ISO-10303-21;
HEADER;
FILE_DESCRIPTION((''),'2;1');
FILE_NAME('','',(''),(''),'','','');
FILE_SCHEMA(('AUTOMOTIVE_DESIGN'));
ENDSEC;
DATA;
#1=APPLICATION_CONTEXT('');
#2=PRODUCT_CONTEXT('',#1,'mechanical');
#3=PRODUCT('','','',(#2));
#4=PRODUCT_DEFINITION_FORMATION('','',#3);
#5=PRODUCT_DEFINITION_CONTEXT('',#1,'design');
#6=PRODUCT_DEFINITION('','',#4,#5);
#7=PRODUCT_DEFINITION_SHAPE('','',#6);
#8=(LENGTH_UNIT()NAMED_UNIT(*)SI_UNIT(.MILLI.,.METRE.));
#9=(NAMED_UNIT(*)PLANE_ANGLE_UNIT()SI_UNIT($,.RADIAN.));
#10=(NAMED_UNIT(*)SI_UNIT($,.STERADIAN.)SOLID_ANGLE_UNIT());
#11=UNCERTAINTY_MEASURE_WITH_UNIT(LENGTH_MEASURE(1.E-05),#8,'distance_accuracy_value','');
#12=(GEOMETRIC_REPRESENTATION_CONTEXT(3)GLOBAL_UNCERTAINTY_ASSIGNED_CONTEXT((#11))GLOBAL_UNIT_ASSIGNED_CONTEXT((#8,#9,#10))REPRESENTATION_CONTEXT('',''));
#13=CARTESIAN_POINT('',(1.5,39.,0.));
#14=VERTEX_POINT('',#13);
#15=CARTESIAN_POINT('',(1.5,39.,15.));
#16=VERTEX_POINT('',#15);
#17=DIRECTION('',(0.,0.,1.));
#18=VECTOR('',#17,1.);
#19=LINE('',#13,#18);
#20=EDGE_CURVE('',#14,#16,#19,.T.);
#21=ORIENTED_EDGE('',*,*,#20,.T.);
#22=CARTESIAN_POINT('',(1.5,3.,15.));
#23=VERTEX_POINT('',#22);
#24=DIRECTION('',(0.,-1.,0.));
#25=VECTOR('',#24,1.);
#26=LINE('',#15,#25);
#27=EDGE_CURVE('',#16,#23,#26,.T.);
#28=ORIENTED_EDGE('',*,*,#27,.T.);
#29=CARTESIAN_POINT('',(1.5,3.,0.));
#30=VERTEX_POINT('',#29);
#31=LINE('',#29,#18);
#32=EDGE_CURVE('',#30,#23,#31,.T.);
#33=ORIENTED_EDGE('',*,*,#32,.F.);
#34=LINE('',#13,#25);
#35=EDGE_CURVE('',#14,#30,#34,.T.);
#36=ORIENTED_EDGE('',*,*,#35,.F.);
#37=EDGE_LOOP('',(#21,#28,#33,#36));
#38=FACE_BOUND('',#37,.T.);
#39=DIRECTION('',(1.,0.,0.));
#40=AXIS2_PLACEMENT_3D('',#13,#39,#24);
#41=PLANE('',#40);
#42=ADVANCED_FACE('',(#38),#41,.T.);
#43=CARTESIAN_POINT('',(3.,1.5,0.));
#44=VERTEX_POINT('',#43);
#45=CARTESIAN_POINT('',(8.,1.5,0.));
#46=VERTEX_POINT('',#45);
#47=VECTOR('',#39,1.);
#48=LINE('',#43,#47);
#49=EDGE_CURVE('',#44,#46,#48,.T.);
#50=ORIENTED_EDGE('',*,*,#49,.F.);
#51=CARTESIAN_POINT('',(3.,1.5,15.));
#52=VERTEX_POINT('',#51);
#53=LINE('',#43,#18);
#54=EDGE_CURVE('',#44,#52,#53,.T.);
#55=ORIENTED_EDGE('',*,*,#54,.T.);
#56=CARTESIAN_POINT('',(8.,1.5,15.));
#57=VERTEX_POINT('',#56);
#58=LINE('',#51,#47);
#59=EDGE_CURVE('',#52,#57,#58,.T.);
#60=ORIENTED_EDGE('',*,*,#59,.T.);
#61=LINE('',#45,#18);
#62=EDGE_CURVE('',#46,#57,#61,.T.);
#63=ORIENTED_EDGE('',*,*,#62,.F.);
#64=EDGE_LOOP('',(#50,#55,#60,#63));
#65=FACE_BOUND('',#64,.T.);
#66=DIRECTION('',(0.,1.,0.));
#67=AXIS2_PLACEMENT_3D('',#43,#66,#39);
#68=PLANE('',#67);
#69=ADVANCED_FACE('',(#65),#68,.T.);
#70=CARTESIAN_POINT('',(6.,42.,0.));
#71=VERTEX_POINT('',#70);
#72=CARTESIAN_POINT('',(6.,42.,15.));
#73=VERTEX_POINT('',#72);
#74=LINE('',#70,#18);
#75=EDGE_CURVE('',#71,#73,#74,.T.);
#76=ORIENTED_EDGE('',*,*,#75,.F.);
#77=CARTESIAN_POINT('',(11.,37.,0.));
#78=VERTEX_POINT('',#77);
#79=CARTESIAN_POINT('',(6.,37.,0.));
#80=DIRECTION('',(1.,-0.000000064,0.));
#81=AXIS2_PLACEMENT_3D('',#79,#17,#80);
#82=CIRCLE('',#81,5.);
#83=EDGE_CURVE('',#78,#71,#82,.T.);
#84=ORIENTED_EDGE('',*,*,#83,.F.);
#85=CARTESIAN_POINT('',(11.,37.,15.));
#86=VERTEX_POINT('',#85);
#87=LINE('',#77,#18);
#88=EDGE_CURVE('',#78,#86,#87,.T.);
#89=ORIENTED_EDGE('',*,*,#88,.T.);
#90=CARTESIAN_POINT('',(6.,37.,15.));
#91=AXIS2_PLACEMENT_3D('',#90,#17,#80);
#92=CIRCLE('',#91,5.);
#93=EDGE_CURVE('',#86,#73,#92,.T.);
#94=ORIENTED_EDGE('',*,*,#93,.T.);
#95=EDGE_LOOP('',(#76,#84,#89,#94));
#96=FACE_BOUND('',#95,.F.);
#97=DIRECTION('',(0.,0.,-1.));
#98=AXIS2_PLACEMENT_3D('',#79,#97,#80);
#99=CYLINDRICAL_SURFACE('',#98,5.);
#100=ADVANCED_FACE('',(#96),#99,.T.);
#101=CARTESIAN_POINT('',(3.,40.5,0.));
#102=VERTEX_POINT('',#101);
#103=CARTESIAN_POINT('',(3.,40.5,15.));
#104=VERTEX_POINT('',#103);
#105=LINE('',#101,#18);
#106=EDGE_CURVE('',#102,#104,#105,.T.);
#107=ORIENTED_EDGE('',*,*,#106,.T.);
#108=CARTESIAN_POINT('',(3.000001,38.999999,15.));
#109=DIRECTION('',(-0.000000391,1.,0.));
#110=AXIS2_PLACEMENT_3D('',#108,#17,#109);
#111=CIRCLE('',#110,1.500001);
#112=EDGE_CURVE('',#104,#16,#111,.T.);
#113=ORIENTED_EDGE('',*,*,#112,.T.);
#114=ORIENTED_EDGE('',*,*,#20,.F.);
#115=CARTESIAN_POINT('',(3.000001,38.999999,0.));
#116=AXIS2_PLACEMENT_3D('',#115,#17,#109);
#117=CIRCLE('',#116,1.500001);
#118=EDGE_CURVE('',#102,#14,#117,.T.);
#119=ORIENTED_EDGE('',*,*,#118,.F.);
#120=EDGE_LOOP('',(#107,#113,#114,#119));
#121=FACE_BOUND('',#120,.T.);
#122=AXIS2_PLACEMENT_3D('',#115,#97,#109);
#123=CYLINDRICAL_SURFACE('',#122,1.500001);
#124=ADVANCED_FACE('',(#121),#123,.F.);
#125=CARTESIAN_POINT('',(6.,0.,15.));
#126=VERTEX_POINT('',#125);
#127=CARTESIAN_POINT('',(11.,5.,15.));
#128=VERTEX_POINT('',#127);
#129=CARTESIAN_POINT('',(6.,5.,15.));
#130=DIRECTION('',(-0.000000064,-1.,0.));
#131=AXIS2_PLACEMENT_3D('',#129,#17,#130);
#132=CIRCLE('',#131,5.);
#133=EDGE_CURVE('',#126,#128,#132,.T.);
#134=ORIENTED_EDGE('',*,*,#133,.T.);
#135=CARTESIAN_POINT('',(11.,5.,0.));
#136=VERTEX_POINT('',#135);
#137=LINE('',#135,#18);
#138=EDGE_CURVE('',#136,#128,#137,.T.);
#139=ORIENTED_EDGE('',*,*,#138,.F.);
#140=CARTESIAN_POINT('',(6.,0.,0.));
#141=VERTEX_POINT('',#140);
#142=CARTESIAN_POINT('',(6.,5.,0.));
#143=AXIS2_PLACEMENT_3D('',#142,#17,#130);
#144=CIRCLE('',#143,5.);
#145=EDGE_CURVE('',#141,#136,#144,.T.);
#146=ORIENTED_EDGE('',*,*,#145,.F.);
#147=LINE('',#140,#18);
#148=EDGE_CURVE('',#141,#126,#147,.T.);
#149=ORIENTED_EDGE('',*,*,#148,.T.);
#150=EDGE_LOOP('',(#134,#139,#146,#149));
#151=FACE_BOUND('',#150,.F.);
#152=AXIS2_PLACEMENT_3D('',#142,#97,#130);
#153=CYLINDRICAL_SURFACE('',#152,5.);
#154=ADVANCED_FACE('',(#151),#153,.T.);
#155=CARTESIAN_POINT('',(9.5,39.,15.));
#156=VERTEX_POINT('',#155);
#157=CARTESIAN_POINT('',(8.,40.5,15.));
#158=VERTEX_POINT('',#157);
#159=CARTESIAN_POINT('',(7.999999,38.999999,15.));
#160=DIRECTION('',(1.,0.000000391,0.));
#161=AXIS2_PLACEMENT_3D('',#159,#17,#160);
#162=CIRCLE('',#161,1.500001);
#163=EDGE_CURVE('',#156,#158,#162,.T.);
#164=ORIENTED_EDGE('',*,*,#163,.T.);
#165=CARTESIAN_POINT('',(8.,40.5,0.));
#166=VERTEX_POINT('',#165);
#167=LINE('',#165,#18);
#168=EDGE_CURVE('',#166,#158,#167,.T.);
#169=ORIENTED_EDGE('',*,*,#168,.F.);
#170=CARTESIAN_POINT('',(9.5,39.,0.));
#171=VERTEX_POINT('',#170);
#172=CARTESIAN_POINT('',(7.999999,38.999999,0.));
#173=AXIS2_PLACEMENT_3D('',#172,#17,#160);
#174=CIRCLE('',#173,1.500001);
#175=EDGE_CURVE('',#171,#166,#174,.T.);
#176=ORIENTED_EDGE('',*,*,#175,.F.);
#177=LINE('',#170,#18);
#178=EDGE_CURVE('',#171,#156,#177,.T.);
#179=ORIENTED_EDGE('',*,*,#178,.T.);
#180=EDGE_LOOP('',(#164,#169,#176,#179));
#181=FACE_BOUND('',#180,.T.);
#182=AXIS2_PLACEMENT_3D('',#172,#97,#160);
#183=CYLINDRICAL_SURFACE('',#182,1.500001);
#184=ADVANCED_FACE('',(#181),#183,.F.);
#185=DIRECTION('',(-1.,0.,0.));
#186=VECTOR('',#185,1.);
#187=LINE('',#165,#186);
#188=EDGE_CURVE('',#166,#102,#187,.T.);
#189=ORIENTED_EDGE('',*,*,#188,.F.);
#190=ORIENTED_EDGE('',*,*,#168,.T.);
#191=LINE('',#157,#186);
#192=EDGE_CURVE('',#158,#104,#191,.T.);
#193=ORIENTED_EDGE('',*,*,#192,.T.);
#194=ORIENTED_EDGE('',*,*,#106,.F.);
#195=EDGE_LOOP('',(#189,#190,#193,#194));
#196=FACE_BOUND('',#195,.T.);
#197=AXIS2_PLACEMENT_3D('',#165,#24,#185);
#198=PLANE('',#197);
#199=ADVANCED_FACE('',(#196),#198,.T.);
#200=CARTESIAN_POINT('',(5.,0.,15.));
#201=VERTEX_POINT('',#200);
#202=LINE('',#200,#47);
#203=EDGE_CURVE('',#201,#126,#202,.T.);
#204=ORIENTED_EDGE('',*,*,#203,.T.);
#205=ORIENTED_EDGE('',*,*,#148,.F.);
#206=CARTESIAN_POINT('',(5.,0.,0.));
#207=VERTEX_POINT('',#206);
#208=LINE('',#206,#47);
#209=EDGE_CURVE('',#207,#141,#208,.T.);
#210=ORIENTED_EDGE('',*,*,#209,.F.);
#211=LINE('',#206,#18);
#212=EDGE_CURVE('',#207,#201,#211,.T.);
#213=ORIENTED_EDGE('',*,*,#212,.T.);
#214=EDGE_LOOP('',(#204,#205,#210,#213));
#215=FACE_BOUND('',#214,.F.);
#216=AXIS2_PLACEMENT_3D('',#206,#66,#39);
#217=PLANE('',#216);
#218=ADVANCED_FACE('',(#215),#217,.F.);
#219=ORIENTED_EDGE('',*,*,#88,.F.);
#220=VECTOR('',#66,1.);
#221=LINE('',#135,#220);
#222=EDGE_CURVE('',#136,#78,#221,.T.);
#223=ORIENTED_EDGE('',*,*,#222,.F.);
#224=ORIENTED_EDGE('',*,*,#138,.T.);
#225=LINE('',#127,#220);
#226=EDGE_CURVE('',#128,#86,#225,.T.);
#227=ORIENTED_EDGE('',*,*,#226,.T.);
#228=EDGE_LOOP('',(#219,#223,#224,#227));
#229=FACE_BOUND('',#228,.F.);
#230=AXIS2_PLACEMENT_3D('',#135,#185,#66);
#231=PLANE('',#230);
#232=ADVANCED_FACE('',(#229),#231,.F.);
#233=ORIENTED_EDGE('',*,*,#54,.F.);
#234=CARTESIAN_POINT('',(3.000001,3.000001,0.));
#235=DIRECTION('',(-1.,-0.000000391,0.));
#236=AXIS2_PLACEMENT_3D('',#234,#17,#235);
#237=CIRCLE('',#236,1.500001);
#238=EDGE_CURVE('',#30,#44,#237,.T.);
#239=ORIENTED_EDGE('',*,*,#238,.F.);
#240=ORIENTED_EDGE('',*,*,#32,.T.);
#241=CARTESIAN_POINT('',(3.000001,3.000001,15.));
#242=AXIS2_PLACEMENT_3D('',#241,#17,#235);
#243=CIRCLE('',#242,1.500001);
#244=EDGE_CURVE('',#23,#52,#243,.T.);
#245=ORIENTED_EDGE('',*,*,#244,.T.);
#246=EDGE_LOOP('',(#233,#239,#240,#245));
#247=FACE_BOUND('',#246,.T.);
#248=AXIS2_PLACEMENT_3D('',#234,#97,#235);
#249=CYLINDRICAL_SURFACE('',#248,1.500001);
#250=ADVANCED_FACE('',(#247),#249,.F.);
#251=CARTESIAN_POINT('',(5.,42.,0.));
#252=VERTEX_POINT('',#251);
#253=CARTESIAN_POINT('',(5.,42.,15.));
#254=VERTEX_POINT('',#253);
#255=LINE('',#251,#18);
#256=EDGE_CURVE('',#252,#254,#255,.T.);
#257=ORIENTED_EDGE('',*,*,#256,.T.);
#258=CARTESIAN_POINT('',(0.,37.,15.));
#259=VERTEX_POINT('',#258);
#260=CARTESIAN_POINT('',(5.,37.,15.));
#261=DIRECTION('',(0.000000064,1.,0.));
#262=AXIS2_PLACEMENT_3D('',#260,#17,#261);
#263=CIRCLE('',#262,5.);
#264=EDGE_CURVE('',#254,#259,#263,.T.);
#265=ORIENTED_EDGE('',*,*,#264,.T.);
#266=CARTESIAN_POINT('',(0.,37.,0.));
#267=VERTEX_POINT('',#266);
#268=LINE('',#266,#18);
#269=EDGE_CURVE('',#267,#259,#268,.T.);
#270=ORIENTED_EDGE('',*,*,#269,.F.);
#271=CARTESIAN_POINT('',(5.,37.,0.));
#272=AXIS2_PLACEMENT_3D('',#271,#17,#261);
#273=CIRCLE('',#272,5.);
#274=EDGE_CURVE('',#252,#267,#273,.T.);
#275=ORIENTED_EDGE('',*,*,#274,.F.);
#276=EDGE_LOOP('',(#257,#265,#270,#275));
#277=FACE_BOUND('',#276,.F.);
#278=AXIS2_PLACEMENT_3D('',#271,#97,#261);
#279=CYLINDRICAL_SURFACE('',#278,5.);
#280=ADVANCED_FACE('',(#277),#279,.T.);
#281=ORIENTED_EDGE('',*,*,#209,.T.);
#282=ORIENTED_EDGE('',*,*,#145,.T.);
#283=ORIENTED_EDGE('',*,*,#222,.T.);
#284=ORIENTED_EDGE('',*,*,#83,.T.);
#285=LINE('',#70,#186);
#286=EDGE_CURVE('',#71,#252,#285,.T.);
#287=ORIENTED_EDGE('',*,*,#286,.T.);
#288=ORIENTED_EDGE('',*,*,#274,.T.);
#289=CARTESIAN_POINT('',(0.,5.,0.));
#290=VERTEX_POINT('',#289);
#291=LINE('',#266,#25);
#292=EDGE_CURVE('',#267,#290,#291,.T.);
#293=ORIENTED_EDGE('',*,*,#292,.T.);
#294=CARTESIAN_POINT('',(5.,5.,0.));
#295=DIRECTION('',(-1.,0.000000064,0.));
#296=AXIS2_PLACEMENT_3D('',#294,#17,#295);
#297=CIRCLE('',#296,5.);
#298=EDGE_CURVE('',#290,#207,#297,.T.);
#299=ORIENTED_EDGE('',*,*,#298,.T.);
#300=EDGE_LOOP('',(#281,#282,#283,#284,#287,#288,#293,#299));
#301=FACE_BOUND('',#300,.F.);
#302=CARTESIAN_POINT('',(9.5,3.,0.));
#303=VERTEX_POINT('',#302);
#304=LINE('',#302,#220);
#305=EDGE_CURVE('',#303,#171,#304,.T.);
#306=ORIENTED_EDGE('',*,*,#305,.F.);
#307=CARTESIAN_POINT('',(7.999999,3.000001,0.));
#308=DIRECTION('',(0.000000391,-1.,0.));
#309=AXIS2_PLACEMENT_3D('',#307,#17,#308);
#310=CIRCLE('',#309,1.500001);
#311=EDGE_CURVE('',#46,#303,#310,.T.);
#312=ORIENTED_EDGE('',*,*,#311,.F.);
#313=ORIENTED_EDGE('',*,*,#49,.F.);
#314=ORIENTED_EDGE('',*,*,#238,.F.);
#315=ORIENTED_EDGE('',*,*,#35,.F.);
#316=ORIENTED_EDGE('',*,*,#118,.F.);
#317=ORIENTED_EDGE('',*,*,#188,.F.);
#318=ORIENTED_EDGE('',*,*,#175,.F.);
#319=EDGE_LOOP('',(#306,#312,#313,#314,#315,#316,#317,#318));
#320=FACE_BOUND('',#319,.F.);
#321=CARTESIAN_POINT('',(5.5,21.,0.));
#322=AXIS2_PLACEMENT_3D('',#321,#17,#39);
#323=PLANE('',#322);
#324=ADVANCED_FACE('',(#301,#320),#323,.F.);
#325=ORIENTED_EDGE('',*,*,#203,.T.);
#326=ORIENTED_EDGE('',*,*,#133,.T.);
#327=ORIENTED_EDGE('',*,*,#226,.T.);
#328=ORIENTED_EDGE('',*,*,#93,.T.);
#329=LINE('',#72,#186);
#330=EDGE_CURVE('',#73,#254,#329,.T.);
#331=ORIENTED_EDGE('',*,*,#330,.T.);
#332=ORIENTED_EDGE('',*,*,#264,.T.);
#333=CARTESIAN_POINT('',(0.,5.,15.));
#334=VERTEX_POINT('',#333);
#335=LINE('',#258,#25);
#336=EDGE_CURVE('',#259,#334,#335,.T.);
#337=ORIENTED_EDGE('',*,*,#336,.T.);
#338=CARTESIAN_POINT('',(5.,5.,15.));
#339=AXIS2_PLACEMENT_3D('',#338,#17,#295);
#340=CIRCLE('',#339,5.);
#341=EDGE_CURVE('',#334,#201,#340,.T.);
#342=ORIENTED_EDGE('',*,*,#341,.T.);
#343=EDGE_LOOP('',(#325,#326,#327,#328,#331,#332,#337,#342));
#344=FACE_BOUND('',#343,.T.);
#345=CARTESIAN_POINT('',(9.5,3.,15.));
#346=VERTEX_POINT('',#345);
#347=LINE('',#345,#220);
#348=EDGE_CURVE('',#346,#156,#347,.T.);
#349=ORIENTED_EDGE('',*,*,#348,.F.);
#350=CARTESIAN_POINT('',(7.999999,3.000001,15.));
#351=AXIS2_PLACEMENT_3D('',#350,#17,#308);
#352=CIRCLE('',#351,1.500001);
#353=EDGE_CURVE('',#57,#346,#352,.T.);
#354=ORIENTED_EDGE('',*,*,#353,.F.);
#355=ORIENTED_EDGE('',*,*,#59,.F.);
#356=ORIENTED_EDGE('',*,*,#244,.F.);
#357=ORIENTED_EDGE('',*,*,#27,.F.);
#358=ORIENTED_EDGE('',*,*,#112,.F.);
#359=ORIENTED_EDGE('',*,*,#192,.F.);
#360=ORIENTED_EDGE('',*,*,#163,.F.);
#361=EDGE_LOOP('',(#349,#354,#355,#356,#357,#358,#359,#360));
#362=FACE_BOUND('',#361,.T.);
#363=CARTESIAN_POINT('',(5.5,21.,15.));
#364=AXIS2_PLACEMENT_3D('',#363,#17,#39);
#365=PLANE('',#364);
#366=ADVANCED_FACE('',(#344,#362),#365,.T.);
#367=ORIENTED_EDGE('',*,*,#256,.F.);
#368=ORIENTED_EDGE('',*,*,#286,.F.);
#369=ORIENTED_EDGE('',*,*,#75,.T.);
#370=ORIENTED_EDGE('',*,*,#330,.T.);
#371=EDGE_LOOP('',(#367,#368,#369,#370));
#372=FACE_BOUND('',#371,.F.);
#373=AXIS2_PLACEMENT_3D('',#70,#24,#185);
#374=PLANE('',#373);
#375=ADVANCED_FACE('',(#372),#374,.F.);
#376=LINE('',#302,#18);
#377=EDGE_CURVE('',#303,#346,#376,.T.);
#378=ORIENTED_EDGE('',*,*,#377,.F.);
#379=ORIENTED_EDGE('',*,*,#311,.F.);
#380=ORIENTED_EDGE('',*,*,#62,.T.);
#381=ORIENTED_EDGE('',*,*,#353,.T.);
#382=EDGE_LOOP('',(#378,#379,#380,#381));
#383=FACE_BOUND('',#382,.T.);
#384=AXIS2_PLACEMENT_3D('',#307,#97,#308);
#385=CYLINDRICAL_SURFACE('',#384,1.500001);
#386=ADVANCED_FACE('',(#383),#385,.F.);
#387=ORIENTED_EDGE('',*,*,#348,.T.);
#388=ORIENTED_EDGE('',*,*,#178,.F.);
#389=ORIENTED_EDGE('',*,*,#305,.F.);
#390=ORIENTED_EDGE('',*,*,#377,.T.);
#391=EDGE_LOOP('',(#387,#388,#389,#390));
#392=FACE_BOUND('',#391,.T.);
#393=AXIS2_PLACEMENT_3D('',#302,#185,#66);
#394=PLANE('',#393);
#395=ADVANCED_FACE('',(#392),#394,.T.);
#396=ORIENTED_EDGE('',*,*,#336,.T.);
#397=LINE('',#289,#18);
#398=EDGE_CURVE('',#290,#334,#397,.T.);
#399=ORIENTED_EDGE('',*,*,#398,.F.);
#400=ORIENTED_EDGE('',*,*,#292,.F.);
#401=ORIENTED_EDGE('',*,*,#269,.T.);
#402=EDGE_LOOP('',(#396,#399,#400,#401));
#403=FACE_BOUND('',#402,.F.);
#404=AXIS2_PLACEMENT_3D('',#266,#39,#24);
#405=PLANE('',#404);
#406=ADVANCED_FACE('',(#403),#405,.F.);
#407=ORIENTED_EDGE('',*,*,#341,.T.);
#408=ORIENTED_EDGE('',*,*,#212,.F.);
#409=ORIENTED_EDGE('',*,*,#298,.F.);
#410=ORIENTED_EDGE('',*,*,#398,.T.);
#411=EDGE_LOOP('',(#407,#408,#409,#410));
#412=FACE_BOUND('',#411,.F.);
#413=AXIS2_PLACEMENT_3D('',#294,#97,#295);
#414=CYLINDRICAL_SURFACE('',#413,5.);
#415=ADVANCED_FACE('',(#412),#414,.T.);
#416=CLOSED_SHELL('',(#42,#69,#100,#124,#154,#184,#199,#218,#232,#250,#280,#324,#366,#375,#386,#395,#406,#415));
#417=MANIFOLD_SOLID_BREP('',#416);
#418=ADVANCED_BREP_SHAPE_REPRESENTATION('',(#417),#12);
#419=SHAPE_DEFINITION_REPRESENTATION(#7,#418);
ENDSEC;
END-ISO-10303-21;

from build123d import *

# Parameters (mm, degrees)
PAD_DEPTH = 15


with BuildPart() as part:
    # Sketch → Pad (new body)
    with BuildSketch(Plane.XY):
        with BuildLine():
            Line((5, 0), (6, 0))
            ThreePointArc((6, 0), (9.535534, 1.464466), (11, 5))
            Line((11, 5), (11, 37))
            ThreePointArc((11, 37), (9.535534, 40.535534), (6, 42))
            Line((6, 42), (5, 42))
            ThreePointArc((5, 42), (1.464466, 40.535534), (0, 37))
            Line((0, 37), (0, 5))
            ThreePointArc((0, 5), (1.464466, 1.464466), (5, 0))
        make_face()
        with BuildLine():
            Line((3, 1.5), (8, 1.5))
            ThreePointArc((8, 1.5), (9.06066, 1.93934), (9.5, 3))
            Line((9.5, 3), (9.5, 39))
            ThreePointArc((9.5, 39), (9.06066, 40.06066), (8, 40.5))
            Line((8, 40.5), (3, 40.5))
            ThreePointArc((3, 40.5), (1.93934, 40.06066), (1.5, 39))
            Line((1.5, 39), (1.5, 3))
            ThreePointArc((1.5, 3), (1.93934, 1.93934), (3, 1.5))
        make_face(mode=Mode.SUBTRACT)
    extrude(amount=PAD_DEPTH)


solid = part.part
